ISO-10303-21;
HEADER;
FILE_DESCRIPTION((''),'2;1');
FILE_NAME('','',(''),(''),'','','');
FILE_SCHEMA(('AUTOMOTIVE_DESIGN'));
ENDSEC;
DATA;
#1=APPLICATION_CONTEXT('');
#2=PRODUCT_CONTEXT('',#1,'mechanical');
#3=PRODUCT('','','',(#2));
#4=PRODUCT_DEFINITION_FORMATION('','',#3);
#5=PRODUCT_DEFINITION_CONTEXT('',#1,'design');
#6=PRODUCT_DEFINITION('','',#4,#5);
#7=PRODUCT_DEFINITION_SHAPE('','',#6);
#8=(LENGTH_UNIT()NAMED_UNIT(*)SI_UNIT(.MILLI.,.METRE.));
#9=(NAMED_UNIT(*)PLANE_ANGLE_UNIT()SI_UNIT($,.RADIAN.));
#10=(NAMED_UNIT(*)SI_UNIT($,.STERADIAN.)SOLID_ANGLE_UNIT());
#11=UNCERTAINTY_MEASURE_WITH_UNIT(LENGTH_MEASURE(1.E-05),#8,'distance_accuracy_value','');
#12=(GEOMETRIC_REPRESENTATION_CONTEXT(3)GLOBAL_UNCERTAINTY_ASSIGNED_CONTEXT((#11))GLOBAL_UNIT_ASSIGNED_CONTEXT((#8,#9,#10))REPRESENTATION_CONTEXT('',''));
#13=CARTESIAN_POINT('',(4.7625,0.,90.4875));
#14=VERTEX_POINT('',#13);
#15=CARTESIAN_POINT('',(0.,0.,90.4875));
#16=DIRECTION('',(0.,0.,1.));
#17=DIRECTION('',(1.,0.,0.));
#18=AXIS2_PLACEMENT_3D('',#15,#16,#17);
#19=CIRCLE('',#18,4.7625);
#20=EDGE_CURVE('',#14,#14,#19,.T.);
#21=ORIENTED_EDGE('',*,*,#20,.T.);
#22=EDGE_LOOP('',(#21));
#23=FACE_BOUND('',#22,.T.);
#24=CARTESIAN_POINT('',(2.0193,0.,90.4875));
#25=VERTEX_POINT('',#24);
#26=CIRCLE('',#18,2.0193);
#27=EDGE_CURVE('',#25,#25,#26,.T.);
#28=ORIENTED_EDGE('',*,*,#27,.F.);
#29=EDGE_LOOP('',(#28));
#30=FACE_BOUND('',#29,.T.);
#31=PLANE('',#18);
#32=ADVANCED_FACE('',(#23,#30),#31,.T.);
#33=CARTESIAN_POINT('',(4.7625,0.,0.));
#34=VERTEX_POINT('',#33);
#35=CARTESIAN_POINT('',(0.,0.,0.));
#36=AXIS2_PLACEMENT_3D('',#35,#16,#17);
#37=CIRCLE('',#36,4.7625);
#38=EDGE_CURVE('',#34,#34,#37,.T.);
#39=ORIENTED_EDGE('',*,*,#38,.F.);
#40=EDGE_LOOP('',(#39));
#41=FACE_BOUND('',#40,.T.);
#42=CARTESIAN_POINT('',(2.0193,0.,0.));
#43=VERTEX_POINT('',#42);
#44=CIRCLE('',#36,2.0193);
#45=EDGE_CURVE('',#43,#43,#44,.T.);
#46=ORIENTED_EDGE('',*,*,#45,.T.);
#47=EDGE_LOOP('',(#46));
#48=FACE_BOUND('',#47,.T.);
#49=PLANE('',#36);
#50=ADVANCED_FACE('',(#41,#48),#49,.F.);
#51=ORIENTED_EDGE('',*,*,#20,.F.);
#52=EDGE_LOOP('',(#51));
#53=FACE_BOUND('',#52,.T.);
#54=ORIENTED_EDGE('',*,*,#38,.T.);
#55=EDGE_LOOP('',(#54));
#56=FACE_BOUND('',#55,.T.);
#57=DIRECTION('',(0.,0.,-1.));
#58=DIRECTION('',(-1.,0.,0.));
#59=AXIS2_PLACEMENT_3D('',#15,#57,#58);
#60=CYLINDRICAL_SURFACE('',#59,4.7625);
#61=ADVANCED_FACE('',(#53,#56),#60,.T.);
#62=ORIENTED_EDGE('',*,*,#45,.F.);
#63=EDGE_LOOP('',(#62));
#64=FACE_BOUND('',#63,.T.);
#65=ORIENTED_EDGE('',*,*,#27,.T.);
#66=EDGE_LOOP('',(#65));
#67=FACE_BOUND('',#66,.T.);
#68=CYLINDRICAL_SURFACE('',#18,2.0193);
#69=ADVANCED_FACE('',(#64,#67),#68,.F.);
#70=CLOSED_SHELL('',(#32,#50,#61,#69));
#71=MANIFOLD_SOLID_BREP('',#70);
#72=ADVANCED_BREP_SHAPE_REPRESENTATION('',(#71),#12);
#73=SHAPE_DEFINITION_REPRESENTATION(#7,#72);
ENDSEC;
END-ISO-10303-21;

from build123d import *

# Parameters (mm, degrees)
SKETCH1_R                        = 4.7625
BOSS_EXTRUDE1_DEPTH              = 90.4875
F_10_32_TAPPED_HOLE1_D           = 4.0386
F_10_32_TAPPED_HOLE1_ON_FACE_2_D = 4.0386


with BuildPart() as part:
    # Sketch1 → Boss-Extrude1 (new body)
    with BuildSketch(Plane.XY):
        Circle(SKETCH1_R)
    extrude(amount=BOSS_EXTRUDE1_DEPTH)

    # #10-32 Tapped Hole1 (through all)
    with Locations(Plane.XY.offset(90.4875)):
        with Locations((0, 0)):
            Hole(F_10_32_TAPPED_HOLE1_D / 2)

    # #10-32 Tapped Hole1 on face 2 (through all)
    with Locations(Plane(origin=(0, 0, 0), x_dir=(-1, 0, 0), z_dir=(0, 0, -1))):
        with Locations((0, 0)):
            Hole(F_10_32_TAPPED_HOLE1_ON_FACE_2_D / 2)


solid = part.part
